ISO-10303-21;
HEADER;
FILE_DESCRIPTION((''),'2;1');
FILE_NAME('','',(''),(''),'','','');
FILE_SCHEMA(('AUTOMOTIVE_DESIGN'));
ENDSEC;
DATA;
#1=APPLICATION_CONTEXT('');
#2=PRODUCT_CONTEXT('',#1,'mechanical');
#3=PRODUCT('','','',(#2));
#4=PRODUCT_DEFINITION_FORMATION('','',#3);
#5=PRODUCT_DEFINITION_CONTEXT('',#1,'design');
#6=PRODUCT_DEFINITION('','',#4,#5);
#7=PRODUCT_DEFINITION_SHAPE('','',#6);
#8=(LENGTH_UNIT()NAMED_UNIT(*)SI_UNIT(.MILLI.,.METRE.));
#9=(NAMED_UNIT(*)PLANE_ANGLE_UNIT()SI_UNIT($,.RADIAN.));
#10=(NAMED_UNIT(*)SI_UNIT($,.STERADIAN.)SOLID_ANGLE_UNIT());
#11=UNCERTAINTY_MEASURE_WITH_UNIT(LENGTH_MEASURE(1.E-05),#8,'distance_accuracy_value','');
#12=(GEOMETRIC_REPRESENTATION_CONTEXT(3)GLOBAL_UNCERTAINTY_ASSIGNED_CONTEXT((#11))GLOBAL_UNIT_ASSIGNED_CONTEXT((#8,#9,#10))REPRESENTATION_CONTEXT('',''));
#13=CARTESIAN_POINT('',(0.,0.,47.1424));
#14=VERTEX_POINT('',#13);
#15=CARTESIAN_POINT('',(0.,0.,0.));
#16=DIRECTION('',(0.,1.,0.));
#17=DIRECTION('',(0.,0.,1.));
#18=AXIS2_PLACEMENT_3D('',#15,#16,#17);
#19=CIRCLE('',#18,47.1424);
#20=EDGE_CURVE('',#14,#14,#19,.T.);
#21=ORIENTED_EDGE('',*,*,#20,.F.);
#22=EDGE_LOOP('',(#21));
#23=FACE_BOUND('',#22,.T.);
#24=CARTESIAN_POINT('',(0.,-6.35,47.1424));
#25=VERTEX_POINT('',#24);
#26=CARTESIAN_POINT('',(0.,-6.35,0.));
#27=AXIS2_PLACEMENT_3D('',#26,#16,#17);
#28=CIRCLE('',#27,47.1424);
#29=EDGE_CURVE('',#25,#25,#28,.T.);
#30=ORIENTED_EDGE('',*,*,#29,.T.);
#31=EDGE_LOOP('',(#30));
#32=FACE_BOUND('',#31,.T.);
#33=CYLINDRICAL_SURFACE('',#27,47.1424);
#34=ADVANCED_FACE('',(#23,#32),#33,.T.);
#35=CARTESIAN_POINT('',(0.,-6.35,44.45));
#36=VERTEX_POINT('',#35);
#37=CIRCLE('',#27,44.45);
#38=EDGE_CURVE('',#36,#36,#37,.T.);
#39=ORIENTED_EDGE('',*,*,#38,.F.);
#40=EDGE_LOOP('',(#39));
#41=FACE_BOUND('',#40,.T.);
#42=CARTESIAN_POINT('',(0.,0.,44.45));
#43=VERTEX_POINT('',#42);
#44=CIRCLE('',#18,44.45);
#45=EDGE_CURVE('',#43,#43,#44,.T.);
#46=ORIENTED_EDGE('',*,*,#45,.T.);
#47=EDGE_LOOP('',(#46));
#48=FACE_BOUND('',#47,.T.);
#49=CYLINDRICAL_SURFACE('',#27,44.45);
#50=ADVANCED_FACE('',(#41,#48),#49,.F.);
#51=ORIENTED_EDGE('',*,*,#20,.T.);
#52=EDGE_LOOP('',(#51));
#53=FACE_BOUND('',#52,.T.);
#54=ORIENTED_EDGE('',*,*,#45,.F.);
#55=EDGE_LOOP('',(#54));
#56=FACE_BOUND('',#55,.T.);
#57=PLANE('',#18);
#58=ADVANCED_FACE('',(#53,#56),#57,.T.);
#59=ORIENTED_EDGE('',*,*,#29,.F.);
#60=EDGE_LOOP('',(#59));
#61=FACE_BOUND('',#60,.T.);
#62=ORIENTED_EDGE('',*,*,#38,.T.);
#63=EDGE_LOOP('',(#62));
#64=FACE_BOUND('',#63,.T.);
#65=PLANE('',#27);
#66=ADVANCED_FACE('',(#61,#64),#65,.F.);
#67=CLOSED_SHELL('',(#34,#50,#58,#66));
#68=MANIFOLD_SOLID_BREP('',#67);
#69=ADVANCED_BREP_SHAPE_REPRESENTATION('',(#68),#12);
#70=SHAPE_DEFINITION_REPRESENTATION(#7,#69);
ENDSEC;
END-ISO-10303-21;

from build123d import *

# Parameters (mm, degrees)
SKETCH1_R      = 47.1424
SKETCH1_R_2    = 44.45
EXTRUDE1_DEPTH = 6.35


with BuildPart() as part:
    # Sketch1 → Extrude1 (new body)
    with BuildSketch(Plane(origin=(0, 0, 0), x_dir=(1, 0, 0), z_dir=(0, 1, 0))):
        Circle(SKETCH1_R)
        Circle(SKETCH1_R_2, mode=Mode.SUBTRACT)
    extrude(amount=-EXTRUDE1_DEPTH)


solid = part.part
